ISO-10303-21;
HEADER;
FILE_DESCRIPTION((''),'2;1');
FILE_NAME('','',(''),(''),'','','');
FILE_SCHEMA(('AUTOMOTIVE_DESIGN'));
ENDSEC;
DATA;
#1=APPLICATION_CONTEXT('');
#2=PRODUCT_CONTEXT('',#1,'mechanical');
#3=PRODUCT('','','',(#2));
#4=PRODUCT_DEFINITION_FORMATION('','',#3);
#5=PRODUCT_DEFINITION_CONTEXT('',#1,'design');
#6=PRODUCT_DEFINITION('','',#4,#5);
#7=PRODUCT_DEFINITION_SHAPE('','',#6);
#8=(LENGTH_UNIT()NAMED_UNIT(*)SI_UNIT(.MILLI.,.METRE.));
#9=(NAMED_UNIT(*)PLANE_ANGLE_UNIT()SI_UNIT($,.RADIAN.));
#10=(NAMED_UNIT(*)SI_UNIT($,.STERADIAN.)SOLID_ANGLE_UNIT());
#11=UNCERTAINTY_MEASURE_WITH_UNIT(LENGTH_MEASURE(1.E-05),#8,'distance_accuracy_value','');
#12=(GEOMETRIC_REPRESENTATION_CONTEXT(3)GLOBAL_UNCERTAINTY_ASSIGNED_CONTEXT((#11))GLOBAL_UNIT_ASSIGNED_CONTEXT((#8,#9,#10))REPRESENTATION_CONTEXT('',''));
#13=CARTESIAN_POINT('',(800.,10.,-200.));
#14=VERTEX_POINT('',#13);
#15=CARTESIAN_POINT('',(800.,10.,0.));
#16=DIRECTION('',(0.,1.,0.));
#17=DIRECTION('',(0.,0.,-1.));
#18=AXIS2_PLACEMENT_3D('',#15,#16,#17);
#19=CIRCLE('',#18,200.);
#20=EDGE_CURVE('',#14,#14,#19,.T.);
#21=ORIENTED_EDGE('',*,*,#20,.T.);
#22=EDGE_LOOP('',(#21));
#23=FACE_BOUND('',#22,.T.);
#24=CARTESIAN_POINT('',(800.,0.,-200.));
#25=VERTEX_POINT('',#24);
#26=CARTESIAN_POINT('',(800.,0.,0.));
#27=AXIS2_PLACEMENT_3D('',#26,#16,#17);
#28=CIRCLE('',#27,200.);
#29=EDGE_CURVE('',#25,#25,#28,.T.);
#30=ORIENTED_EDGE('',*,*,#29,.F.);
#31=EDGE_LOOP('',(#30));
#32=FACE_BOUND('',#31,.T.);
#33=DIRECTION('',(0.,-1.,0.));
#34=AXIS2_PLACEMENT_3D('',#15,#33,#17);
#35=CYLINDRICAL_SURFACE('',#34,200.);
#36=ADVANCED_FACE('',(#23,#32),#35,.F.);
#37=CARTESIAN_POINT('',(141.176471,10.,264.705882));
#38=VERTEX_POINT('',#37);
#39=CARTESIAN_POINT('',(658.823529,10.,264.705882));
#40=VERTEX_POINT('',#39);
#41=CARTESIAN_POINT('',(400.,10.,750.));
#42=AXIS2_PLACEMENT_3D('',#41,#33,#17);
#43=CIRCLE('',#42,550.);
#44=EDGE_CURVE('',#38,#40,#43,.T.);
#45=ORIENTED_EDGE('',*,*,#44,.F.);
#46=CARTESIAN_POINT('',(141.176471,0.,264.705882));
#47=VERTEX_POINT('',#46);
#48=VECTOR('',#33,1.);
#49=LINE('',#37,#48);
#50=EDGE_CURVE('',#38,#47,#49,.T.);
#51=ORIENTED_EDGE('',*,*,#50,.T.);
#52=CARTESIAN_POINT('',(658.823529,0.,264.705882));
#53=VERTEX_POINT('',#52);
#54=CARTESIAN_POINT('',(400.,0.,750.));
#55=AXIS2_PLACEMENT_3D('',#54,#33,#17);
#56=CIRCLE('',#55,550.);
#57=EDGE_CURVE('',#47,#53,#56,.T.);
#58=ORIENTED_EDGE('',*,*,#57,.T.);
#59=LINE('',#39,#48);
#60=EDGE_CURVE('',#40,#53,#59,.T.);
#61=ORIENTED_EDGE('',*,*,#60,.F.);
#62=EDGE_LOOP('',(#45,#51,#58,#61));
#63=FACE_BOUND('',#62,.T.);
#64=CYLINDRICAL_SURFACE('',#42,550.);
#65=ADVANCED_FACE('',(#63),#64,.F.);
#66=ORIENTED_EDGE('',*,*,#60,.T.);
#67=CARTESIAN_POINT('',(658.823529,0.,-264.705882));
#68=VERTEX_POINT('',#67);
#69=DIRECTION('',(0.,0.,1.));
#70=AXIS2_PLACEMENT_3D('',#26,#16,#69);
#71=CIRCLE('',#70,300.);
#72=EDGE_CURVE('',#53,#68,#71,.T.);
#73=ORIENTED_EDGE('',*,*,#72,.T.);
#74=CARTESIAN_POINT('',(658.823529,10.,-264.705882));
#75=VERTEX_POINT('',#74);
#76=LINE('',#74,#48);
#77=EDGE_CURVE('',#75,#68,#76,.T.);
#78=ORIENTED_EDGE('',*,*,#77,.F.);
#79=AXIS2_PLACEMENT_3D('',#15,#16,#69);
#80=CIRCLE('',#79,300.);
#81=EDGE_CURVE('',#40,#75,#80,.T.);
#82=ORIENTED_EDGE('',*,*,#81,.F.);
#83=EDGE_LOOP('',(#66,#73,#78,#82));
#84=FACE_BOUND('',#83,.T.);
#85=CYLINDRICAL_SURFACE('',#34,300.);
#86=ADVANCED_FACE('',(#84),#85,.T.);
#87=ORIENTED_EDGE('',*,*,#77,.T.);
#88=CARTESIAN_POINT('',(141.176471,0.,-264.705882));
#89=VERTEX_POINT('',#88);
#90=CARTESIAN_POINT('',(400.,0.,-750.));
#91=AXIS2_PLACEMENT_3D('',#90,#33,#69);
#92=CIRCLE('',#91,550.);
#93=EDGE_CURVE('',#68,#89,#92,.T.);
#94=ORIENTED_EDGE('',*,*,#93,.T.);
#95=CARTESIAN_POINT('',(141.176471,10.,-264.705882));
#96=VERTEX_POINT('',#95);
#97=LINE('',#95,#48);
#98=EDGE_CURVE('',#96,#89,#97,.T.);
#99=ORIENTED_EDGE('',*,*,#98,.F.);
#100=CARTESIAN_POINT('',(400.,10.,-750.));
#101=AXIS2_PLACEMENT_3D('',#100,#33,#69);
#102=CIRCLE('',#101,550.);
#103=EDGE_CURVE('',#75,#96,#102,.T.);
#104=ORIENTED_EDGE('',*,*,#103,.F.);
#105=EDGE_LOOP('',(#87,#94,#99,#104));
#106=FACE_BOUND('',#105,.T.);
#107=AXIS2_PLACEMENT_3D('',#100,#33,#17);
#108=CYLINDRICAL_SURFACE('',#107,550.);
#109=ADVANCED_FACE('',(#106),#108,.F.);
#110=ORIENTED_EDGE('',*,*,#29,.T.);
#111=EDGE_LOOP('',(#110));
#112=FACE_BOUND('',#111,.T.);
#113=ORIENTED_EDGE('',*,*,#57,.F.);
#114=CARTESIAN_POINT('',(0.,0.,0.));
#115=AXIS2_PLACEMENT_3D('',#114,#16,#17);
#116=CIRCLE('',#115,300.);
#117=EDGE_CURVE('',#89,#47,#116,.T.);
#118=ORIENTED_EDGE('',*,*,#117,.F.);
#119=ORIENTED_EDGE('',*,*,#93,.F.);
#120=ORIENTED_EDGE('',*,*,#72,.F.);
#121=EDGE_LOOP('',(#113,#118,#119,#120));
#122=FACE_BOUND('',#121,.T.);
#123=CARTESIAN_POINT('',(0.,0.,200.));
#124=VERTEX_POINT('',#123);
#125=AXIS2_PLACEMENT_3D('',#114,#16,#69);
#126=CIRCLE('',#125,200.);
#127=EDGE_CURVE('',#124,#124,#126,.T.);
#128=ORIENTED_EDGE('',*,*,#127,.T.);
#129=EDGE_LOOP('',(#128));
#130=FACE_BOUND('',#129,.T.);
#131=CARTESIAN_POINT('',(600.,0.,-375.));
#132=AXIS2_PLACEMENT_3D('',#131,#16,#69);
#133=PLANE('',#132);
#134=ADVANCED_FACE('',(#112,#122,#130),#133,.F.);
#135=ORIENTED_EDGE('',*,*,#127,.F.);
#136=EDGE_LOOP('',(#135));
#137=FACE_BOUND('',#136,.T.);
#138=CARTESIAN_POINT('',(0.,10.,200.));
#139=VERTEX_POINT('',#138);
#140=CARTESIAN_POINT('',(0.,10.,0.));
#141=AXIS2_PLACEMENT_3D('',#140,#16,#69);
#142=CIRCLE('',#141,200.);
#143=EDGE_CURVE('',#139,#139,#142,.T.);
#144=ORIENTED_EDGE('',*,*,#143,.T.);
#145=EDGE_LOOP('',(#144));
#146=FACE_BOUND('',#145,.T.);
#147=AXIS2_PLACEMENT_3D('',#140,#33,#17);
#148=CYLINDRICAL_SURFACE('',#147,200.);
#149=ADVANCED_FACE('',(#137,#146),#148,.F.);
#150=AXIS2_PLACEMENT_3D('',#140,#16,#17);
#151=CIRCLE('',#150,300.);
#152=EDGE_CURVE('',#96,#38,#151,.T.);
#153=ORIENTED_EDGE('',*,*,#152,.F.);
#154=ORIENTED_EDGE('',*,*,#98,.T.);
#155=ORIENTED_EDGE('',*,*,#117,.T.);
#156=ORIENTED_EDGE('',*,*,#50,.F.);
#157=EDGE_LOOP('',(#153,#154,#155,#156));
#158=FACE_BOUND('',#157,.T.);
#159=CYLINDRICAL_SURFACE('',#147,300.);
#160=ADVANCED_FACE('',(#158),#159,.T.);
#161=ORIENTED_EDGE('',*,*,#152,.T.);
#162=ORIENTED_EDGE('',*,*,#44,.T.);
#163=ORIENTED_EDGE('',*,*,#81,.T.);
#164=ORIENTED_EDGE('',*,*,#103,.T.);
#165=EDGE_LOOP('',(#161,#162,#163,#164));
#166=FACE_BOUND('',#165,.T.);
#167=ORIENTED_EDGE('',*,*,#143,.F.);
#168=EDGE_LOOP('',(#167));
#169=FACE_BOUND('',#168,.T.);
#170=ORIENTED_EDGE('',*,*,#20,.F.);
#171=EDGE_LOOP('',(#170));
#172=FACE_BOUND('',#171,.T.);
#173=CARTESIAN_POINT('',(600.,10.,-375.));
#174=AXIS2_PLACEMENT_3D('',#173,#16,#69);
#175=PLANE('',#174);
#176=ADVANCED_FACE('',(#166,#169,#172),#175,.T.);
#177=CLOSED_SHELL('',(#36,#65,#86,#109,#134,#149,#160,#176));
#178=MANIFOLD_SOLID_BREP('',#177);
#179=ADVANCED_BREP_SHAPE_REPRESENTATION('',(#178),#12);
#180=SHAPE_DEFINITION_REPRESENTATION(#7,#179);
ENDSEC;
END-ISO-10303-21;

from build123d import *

# Parameters (mm, degrees)
ESQUISSE1_R      = 200
EXTRUSION1_DEPTH = 10


with BuildPart() as part:
    # Esquisse1 → Extrusion1 (new body)
    with BuildSketch(Plane(origin=(0, 0, 0), x_dir=(1, 0, 0), z_dir=(0, 1, 0))):
        with BuildLine():
            ThreePointArc((141.176470588, -264.705882353), (-300, 0), (141.176470588, 264.705882353))
            ThreePointArc((141.176470588, 264.705882353), (400, 200), (658.823529412, 264.705882353))
            ThreePointArc((658.823529412, 264.705882353), (1100, 0), (658.823529412, -264.705882353))
            ThreePointArc((658.823529412, -264.705882353), (400, -200), (141.176470588, -264.705882353))
        make_face()
        Circle(ESQUISSE1_R, mode=Mode.SUBTRACT)
        with Locations((800, 0)):
            Circle(ESQUISSE1_R, mode=Mode.SUBTRACT)
    extrude(amount=EXTRUSION1_DEPTH)


solid = part.part
